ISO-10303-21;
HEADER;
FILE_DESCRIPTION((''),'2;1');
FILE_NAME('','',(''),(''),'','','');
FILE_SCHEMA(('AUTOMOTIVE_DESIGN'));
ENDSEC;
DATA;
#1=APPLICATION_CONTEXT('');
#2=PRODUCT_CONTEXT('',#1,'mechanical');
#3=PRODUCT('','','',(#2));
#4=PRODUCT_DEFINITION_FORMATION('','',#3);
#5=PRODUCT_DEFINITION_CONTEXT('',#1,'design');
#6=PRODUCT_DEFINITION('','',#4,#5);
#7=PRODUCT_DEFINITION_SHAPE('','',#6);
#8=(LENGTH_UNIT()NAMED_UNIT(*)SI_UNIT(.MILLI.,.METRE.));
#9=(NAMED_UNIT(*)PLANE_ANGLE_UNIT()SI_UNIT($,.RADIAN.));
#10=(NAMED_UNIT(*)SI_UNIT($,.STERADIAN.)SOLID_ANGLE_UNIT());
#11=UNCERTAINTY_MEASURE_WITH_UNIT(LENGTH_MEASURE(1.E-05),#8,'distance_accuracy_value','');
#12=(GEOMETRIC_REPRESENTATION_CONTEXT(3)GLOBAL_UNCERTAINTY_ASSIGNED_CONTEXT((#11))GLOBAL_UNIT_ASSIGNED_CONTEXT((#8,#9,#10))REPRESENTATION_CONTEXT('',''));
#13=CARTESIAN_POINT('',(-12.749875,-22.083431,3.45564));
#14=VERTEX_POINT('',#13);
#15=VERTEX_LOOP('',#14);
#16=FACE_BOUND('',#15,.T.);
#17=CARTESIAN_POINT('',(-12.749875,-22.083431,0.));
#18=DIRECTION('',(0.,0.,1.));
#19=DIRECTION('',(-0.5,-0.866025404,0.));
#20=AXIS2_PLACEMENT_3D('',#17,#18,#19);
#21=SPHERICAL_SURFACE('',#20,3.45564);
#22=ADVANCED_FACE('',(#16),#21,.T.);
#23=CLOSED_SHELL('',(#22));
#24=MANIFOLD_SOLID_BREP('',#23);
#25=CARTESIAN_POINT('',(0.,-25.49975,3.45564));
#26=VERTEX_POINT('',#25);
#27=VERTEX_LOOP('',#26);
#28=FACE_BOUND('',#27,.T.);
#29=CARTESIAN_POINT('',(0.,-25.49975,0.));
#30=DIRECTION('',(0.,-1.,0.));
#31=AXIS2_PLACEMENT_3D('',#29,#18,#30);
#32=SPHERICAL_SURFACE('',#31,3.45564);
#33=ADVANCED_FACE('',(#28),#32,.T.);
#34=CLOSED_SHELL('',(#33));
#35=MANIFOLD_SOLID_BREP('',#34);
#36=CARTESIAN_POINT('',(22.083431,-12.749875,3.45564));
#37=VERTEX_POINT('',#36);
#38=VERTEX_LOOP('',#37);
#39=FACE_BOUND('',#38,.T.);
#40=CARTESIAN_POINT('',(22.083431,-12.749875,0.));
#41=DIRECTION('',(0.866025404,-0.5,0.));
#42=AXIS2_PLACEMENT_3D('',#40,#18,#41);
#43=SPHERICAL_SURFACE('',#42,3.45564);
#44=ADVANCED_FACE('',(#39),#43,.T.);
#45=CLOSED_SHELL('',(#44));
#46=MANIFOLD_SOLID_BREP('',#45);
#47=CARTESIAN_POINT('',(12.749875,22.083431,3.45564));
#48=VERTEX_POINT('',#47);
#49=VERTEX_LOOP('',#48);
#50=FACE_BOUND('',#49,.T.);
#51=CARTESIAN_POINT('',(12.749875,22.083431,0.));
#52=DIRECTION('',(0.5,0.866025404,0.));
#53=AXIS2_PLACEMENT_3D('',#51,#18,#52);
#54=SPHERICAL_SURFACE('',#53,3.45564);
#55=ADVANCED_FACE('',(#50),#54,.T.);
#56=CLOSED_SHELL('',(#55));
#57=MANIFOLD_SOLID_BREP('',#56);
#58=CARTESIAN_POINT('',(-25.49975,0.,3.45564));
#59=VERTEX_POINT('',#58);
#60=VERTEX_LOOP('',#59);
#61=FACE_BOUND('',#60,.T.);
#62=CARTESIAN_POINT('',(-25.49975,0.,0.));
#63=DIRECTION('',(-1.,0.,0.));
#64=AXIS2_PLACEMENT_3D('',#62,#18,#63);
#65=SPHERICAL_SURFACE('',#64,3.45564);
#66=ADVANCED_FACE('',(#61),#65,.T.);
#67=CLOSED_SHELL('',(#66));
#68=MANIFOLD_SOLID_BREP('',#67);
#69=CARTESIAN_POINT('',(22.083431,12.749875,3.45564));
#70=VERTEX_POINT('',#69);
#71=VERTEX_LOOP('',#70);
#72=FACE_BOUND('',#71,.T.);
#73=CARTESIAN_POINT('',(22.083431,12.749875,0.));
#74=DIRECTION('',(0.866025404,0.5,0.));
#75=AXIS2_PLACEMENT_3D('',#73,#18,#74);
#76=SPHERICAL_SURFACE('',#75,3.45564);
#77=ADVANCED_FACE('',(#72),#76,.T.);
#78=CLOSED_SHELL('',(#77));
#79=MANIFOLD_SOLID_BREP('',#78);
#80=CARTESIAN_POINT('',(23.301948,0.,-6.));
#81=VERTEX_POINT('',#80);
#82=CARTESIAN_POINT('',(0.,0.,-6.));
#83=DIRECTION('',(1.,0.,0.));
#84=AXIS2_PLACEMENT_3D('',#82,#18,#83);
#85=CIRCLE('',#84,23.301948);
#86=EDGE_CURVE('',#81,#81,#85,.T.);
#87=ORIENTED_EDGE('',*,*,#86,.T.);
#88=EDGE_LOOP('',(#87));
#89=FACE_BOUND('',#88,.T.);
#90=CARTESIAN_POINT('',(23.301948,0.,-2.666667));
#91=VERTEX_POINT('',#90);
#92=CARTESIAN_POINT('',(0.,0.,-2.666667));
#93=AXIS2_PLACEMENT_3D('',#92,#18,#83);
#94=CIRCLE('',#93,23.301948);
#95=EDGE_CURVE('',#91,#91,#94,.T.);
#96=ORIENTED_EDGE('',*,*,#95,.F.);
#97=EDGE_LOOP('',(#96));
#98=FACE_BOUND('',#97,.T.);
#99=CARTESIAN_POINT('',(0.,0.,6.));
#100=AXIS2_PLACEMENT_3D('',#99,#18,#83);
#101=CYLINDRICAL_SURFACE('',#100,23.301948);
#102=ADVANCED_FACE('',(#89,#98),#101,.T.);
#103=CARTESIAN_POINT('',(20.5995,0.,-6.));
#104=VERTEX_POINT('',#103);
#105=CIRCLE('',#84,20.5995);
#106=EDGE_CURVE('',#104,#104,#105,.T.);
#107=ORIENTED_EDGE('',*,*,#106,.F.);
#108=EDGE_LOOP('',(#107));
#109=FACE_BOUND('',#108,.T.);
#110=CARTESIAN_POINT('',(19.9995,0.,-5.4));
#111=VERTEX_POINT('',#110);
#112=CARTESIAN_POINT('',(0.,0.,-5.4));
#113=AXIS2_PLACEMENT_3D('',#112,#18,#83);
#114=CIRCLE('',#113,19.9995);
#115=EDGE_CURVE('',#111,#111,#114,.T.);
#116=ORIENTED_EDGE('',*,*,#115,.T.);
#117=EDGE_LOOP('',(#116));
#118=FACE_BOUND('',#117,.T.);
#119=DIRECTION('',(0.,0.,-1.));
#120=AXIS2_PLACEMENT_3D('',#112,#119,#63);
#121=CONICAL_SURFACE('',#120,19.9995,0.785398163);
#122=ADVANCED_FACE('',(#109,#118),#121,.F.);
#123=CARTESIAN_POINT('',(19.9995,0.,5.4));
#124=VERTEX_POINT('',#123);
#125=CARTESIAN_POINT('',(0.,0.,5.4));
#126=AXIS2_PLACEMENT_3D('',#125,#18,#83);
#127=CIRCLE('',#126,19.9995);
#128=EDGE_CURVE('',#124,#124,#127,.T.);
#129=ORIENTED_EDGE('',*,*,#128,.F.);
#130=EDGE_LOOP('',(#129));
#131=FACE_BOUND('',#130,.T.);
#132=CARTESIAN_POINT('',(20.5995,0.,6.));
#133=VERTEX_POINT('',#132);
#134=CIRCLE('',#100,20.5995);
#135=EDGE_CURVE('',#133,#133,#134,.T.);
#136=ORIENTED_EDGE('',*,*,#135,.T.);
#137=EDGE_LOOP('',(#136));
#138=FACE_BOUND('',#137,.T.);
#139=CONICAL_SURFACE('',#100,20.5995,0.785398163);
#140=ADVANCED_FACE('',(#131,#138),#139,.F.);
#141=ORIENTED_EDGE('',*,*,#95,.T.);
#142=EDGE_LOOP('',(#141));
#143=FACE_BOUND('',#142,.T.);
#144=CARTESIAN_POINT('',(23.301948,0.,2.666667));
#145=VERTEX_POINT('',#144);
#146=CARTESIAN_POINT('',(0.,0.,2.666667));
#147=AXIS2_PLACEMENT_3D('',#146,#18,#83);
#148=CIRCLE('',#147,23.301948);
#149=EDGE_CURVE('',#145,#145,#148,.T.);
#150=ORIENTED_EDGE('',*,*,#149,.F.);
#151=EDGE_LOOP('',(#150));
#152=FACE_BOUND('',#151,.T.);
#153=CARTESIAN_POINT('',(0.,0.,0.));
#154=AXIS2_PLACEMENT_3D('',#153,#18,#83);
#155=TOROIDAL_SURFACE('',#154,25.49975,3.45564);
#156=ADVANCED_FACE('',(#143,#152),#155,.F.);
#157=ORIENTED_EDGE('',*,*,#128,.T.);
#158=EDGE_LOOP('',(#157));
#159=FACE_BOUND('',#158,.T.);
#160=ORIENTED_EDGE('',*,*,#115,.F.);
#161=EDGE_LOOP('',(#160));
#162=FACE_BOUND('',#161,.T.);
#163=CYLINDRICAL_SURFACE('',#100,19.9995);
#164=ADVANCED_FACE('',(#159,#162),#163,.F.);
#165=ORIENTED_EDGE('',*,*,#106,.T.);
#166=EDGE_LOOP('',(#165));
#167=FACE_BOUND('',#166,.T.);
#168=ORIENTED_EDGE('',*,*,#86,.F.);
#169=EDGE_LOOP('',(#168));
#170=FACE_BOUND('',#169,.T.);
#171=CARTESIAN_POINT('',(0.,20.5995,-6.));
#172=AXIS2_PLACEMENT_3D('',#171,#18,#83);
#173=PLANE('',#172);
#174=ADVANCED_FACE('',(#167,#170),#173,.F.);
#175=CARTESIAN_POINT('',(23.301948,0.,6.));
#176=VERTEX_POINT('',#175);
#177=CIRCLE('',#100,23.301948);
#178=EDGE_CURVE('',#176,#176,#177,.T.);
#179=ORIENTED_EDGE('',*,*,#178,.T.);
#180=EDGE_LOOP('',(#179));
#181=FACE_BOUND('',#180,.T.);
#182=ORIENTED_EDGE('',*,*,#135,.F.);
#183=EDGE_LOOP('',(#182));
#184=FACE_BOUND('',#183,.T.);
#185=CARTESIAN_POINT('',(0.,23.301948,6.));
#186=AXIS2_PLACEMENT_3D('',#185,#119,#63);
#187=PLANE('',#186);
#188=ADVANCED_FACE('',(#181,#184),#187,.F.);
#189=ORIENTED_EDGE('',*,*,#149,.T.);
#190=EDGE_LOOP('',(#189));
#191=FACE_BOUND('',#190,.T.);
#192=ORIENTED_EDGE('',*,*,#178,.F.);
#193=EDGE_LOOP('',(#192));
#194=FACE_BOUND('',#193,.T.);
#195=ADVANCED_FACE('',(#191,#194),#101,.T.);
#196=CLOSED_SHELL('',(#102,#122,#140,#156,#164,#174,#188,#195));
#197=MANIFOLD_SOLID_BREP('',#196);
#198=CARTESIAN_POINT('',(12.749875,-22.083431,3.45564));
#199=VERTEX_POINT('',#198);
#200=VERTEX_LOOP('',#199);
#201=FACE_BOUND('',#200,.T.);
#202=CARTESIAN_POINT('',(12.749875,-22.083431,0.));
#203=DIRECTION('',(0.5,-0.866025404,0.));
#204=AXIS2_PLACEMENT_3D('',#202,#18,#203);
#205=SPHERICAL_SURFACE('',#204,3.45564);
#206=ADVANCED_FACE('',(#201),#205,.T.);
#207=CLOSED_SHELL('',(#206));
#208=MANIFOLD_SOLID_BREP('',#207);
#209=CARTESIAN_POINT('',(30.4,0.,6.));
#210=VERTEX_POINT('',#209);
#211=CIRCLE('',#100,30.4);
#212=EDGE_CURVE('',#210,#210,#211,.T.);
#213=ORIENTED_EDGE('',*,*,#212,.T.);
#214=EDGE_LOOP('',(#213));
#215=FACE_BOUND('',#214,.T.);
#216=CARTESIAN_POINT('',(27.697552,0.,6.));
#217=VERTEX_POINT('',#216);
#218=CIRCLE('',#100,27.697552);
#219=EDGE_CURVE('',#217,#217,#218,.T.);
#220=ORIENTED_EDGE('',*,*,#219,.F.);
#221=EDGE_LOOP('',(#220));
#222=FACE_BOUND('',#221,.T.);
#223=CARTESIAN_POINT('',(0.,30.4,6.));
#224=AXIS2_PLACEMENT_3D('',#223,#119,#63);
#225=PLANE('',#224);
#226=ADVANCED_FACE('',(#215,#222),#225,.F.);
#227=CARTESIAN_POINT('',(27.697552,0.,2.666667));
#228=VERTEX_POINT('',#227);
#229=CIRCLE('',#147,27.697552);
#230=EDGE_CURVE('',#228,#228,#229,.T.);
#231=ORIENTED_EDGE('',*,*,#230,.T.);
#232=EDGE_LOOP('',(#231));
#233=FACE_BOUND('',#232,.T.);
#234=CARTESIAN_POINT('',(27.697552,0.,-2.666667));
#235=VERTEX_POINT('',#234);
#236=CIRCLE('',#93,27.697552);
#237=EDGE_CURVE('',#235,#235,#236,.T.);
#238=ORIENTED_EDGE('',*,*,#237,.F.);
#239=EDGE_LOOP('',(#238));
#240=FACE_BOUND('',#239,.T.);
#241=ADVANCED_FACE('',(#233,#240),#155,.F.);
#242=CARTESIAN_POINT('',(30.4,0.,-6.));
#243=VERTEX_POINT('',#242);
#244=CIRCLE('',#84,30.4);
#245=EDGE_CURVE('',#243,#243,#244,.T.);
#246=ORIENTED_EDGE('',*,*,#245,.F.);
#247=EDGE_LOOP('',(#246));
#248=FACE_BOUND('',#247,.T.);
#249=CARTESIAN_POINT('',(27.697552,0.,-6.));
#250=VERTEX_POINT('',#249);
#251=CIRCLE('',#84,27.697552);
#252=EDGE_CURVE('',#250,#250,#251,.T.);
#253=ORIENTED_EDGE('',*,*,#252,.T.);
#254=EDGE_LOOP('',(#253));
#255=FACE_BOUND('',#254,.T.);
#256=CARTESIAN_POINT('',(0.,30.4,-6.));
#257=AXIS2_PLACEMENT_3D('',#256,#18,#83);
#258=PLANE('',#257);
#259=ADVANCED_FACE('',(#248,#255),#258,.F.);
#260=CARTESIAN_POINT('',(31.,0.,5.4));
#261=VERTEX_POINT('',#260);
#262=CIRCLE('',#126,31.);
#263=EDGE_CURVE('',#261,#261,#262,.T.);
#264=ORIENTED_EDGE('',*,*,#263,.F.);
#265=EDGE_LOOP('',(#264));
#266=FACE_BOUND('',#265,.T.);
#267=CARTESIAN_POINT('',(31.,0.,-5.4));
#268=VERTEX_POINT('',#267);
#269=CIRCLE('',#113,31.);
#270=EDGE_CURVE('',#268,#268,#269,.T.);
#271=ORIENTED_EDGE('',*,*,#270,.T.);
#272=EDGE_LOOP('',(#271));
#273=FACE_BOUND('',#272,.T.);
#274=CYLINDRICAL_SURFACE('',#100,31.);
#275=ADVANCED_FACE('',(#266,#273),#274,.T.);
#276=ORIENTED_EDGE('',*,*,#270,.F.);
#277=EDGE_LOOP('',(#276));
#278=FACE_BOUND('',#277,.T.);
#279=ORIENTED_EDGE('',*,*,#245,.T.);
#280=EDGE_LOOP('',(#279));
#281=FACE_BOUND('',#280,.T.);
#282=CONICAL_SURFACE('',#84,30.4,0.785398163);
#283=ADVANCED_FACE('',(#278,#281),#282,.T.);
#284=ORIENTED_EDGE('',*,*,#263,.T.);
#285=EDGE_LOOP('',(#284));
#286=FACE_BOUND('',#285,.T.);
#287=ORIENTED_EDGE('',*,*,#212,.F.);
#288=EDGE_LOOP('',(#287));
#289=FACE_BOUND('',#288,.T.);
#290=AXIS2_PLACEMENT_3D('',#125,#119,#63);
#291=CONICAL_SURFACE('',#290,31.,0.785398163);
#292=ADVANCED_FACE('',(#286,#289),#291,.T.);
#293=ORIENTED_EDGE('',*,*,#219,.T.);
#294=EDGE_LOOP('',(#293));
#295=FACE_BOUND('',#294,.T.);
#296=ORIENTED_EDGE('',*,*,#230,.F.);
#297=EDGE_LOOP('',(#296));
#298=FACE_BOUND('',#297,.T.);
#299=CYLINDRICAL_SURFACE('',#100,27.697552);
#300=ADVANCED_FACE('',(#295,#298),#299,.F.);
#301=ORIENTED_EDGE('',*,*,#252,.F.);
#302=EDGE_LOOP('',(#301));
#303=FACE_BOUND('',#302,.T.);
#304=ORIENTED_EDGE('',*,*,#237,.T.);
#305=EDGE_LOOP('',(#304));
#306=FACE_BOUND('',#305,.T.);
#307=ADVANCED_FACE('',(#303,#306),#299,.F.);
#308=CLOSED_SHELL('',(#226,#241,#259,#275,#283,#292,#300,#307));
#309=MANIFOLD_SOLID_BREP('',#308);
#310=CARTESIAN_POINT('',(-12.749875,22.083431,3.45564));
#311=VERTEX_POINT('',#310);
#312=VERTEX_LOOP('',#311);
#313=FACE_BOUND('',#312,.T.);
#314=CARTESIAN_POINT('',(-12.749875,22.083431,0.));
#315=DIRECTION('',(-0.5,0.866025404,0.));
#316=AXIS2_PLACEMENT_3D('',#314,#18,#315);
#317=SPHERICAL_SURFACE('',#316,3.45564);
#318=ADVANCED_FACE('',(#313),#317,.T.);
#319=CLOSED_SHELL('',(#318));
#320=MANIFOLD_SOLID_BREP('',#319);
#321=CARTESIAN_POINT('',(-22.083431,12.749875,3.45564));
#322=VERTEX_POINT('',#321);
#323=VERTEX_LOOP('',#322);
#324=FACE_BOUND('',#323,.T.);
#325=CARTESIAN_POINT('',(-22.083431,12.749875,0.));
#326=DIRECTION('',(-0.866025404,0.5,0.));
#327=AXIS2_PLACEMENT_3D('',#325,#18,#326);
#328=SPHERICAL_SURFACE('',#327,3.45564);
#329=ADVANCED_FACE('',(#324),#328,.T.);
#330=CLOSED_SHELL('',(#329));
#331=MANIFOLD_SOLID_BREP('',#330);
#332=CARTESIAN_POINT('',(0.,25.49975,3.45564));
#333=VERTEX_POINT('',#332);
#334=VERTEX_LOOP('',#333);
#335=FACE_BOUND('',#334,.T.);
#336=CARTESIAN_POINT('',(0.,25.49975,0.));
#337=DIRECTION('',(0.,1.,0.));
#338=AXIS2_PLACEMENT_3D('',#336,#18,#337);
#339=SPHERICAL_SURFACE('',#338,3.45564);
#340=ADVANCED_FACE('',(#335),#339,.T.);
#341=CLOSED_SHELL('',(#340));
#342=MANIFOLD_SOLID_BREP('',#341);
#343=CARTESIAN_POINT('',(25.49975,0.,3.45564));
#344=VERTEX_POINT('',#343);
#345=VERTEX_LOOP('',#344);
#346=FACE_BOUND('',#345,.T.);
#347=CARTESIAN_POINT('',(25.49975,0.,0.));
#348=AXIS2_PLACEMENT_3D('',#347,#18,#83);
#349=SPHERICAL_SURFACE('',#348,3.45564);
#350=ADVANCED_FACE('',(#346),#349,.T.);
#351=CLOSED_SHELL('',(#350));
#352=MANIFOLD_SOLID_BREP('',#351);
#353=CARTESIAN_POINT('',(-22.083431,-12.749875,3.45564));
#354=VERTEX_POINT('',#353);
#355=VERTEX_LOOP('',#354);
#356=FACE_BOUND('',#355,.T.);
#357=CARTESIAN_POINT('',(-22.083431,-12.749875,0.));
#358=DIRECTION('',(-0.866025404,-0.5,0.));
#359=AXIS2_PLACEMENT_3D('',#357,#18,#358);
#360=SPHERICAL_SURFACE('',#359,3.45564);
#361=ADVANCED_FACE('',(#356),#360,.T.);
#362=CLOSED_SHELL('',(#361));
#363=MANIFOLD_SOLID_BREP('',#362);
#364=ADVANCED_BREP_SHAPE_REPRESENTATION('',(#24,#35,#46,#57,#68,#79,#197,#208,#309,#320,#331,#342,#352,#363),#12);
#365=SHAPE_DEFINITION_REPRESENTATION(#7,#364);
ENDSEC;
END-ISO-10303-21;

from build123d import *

# Parameters (mm, degrees)
CIRPATTERN1_COUNT = 12


with BuildPart() as part:
    # Sketch1 → Revolve1 (revolve)
    with BuildSketch(Plane(origin=(0, 0, 0), x_dir=(0, 0, -1), z_dir=(1, 0, 0))):
        with BuildLine():
            Line((5.4, 31), (-5.4, 31))
            Line((-5.4, 31), (-6, 30.4))
            Line((-6, 30.4), (-6, 27.697552198))
            Line((-6, 27.697552198), (-2.666666667, 27.697552198))
            ThreePointArc((-2.666666667, 27.697552198), (0, 28.955389682), (2.666666667, 27.697552198))
            Line((2.666666667, 27.697552198), (6, 27.697552198))
            Line((6, 27.697552198), (6, 30.4))
            Line((6, 30.4), (5.4, 31))
        make_face()
    revolve(axis=Axis((0, 0, 6), (0, 0, -1)))


with BuildPart() as body_2:
    # Sketch3 → Revolve3 (revolve)
    with BuildSketch(Plane(origin=(0, 0, 0), x_dir=(0, 0, -1), z_dir=(1, 0, 0))):
        with BuildLine():
            Line((-6, 23.301947802), (-2.666666667, 23.301947802))
            ThreePointArc((-2.666666667, 23.301947802), (0, 22.044110318), (2.666666667, 23.301947802))
            Line((2.666666667, 23.301947802), (6, 23.301947802))
            Line((6, 23.301947802), (6, 20.5995))
            Line((6, 20.5995), (5.4, 19.9995))
            Line((5.4, 19.9995), (-5.4, 19.9995))
            Line((-5.4, 19.9995), (-6, 20.5995))
            Line((-6, 20.5995), (-6, 23.301947802))
        make_face()
    revolve(axis=Axis((0, 0, 6), (0, 0, -1)))


with BuildPart() as body_3:
    # Sketch4 → Revolve4 (revolve)
    with BuildSketch(Plane(origin=(0, 0, 0), x_dir=(0, 0, -1), z_dir=(1, 0, 0))):
        with BuildLine():
            Line((-3.455639682, 25.49975), (3.455639682, 25.49975))
            ThreePointArc((3.455639682, 25.49975), (0, 28.955389682), (-3.455639682, 25.49975))
        make_face()
    revolve(axis=Axis((0, 25.49975, 3.455639682), (0, 0, -1)))


with BuildPart() as cirpattern1_1:
    # CirPattern1: pattern copy
    add(body_3.part.rotate(Axis((0, 0, -6), (0, 0, 1)), 1 * 360 / CIRPATTERN1_COUNT))


with BuildPart() as cirpattern1_2:
    # CirPattern1: pattern copy
    add(body_3.part.rotate(Axis((0, 0, -6), (0, 0, 1)), 2 * 360 / CIRPATTERN1_COUNT))


with BuildPart() as cirpattern1_3:
    # CirPattern1: pattern copy
    add(body_3.part.rotate(Axis((0, 0, -6), (0, 0, 1)), 3 * 360 / CIRPATTERN1_COUNT))


with BuildPart() as cirpattern1_4:
    # CirPattern1: pattern copy
    add(body_3.part.rotate(Axis((0, 0, -6), (0, 0, 1)), 4 * 360 / CIRPATTERN1_COUNT))


with BuildPart() as cirpattern1_5:
    # CirPattern1: pattern copy
    add(body_3.part.rotate(Axis((0, 0, -6), (0, 0, 1)), 5 * 360 / CIRPATTERN1_COUNT))


with BuildPart() as cirpattern1_6:
    # CirPattern1: pattern copy
    add(body_3.part.rotate(Axis((0, 0, -6), (0, 0, 1)), 6 * 360 / CIRPATTERN1_COUNT))


with BuildPart() as cirpattern1_7:
    # CirPattern1: pattern copy
    add(body_3.part.rotate(Axis((0, 0, -6), (0, 0, 1)), 7 * 360 / CIRPATTERN1_COUNT))


with BuildPart() as cirpattern1_8:
    # CirPattern1: pattern copy
    add(body_3.part.rotate(Axis((0, 0, -6), (0, 0, 1)), 8 * 360 / CIRPATTERN1_COUNT))


with BuildPart() as cirpattern1_9:
    # CirPattern1: pattern copy
    add(body_3.part.rotate(Axis((0, 0, -6), (0, 0, 1)), 9 * 360 / CIRPATTERN1_COUNT))


with BuildPart() as cirpattern1_10:
    # CirPattern1: pattern copy
    add(body_3.part.rotate(Axis((0, 0, -6), (0, 0, 1)), 10 * 360 / CIRPATTERN1_COUNT))


with BuildPart() as cirpattern1_11:
    # CirPattern1: pattern copy
    add(body_3.part.rotate(Axis((0, 0, -6), (0, 0, 1)), 11 * 360 / CIRPATTERN1_COUNT))


solid = Compound([part.part, body_2.part, body_3.part, cirpattern1_1.part, cirpattern1_2.part, cirpattern1_3.part, cirpattern1_4.part, cirpattern1_5.part, cirpattern1_6.part, cirpattern1_7.part, cirpattern1_8.part, cirpattern1_9.part, cirpattern1_10.part, cirpattern1_11.part])
